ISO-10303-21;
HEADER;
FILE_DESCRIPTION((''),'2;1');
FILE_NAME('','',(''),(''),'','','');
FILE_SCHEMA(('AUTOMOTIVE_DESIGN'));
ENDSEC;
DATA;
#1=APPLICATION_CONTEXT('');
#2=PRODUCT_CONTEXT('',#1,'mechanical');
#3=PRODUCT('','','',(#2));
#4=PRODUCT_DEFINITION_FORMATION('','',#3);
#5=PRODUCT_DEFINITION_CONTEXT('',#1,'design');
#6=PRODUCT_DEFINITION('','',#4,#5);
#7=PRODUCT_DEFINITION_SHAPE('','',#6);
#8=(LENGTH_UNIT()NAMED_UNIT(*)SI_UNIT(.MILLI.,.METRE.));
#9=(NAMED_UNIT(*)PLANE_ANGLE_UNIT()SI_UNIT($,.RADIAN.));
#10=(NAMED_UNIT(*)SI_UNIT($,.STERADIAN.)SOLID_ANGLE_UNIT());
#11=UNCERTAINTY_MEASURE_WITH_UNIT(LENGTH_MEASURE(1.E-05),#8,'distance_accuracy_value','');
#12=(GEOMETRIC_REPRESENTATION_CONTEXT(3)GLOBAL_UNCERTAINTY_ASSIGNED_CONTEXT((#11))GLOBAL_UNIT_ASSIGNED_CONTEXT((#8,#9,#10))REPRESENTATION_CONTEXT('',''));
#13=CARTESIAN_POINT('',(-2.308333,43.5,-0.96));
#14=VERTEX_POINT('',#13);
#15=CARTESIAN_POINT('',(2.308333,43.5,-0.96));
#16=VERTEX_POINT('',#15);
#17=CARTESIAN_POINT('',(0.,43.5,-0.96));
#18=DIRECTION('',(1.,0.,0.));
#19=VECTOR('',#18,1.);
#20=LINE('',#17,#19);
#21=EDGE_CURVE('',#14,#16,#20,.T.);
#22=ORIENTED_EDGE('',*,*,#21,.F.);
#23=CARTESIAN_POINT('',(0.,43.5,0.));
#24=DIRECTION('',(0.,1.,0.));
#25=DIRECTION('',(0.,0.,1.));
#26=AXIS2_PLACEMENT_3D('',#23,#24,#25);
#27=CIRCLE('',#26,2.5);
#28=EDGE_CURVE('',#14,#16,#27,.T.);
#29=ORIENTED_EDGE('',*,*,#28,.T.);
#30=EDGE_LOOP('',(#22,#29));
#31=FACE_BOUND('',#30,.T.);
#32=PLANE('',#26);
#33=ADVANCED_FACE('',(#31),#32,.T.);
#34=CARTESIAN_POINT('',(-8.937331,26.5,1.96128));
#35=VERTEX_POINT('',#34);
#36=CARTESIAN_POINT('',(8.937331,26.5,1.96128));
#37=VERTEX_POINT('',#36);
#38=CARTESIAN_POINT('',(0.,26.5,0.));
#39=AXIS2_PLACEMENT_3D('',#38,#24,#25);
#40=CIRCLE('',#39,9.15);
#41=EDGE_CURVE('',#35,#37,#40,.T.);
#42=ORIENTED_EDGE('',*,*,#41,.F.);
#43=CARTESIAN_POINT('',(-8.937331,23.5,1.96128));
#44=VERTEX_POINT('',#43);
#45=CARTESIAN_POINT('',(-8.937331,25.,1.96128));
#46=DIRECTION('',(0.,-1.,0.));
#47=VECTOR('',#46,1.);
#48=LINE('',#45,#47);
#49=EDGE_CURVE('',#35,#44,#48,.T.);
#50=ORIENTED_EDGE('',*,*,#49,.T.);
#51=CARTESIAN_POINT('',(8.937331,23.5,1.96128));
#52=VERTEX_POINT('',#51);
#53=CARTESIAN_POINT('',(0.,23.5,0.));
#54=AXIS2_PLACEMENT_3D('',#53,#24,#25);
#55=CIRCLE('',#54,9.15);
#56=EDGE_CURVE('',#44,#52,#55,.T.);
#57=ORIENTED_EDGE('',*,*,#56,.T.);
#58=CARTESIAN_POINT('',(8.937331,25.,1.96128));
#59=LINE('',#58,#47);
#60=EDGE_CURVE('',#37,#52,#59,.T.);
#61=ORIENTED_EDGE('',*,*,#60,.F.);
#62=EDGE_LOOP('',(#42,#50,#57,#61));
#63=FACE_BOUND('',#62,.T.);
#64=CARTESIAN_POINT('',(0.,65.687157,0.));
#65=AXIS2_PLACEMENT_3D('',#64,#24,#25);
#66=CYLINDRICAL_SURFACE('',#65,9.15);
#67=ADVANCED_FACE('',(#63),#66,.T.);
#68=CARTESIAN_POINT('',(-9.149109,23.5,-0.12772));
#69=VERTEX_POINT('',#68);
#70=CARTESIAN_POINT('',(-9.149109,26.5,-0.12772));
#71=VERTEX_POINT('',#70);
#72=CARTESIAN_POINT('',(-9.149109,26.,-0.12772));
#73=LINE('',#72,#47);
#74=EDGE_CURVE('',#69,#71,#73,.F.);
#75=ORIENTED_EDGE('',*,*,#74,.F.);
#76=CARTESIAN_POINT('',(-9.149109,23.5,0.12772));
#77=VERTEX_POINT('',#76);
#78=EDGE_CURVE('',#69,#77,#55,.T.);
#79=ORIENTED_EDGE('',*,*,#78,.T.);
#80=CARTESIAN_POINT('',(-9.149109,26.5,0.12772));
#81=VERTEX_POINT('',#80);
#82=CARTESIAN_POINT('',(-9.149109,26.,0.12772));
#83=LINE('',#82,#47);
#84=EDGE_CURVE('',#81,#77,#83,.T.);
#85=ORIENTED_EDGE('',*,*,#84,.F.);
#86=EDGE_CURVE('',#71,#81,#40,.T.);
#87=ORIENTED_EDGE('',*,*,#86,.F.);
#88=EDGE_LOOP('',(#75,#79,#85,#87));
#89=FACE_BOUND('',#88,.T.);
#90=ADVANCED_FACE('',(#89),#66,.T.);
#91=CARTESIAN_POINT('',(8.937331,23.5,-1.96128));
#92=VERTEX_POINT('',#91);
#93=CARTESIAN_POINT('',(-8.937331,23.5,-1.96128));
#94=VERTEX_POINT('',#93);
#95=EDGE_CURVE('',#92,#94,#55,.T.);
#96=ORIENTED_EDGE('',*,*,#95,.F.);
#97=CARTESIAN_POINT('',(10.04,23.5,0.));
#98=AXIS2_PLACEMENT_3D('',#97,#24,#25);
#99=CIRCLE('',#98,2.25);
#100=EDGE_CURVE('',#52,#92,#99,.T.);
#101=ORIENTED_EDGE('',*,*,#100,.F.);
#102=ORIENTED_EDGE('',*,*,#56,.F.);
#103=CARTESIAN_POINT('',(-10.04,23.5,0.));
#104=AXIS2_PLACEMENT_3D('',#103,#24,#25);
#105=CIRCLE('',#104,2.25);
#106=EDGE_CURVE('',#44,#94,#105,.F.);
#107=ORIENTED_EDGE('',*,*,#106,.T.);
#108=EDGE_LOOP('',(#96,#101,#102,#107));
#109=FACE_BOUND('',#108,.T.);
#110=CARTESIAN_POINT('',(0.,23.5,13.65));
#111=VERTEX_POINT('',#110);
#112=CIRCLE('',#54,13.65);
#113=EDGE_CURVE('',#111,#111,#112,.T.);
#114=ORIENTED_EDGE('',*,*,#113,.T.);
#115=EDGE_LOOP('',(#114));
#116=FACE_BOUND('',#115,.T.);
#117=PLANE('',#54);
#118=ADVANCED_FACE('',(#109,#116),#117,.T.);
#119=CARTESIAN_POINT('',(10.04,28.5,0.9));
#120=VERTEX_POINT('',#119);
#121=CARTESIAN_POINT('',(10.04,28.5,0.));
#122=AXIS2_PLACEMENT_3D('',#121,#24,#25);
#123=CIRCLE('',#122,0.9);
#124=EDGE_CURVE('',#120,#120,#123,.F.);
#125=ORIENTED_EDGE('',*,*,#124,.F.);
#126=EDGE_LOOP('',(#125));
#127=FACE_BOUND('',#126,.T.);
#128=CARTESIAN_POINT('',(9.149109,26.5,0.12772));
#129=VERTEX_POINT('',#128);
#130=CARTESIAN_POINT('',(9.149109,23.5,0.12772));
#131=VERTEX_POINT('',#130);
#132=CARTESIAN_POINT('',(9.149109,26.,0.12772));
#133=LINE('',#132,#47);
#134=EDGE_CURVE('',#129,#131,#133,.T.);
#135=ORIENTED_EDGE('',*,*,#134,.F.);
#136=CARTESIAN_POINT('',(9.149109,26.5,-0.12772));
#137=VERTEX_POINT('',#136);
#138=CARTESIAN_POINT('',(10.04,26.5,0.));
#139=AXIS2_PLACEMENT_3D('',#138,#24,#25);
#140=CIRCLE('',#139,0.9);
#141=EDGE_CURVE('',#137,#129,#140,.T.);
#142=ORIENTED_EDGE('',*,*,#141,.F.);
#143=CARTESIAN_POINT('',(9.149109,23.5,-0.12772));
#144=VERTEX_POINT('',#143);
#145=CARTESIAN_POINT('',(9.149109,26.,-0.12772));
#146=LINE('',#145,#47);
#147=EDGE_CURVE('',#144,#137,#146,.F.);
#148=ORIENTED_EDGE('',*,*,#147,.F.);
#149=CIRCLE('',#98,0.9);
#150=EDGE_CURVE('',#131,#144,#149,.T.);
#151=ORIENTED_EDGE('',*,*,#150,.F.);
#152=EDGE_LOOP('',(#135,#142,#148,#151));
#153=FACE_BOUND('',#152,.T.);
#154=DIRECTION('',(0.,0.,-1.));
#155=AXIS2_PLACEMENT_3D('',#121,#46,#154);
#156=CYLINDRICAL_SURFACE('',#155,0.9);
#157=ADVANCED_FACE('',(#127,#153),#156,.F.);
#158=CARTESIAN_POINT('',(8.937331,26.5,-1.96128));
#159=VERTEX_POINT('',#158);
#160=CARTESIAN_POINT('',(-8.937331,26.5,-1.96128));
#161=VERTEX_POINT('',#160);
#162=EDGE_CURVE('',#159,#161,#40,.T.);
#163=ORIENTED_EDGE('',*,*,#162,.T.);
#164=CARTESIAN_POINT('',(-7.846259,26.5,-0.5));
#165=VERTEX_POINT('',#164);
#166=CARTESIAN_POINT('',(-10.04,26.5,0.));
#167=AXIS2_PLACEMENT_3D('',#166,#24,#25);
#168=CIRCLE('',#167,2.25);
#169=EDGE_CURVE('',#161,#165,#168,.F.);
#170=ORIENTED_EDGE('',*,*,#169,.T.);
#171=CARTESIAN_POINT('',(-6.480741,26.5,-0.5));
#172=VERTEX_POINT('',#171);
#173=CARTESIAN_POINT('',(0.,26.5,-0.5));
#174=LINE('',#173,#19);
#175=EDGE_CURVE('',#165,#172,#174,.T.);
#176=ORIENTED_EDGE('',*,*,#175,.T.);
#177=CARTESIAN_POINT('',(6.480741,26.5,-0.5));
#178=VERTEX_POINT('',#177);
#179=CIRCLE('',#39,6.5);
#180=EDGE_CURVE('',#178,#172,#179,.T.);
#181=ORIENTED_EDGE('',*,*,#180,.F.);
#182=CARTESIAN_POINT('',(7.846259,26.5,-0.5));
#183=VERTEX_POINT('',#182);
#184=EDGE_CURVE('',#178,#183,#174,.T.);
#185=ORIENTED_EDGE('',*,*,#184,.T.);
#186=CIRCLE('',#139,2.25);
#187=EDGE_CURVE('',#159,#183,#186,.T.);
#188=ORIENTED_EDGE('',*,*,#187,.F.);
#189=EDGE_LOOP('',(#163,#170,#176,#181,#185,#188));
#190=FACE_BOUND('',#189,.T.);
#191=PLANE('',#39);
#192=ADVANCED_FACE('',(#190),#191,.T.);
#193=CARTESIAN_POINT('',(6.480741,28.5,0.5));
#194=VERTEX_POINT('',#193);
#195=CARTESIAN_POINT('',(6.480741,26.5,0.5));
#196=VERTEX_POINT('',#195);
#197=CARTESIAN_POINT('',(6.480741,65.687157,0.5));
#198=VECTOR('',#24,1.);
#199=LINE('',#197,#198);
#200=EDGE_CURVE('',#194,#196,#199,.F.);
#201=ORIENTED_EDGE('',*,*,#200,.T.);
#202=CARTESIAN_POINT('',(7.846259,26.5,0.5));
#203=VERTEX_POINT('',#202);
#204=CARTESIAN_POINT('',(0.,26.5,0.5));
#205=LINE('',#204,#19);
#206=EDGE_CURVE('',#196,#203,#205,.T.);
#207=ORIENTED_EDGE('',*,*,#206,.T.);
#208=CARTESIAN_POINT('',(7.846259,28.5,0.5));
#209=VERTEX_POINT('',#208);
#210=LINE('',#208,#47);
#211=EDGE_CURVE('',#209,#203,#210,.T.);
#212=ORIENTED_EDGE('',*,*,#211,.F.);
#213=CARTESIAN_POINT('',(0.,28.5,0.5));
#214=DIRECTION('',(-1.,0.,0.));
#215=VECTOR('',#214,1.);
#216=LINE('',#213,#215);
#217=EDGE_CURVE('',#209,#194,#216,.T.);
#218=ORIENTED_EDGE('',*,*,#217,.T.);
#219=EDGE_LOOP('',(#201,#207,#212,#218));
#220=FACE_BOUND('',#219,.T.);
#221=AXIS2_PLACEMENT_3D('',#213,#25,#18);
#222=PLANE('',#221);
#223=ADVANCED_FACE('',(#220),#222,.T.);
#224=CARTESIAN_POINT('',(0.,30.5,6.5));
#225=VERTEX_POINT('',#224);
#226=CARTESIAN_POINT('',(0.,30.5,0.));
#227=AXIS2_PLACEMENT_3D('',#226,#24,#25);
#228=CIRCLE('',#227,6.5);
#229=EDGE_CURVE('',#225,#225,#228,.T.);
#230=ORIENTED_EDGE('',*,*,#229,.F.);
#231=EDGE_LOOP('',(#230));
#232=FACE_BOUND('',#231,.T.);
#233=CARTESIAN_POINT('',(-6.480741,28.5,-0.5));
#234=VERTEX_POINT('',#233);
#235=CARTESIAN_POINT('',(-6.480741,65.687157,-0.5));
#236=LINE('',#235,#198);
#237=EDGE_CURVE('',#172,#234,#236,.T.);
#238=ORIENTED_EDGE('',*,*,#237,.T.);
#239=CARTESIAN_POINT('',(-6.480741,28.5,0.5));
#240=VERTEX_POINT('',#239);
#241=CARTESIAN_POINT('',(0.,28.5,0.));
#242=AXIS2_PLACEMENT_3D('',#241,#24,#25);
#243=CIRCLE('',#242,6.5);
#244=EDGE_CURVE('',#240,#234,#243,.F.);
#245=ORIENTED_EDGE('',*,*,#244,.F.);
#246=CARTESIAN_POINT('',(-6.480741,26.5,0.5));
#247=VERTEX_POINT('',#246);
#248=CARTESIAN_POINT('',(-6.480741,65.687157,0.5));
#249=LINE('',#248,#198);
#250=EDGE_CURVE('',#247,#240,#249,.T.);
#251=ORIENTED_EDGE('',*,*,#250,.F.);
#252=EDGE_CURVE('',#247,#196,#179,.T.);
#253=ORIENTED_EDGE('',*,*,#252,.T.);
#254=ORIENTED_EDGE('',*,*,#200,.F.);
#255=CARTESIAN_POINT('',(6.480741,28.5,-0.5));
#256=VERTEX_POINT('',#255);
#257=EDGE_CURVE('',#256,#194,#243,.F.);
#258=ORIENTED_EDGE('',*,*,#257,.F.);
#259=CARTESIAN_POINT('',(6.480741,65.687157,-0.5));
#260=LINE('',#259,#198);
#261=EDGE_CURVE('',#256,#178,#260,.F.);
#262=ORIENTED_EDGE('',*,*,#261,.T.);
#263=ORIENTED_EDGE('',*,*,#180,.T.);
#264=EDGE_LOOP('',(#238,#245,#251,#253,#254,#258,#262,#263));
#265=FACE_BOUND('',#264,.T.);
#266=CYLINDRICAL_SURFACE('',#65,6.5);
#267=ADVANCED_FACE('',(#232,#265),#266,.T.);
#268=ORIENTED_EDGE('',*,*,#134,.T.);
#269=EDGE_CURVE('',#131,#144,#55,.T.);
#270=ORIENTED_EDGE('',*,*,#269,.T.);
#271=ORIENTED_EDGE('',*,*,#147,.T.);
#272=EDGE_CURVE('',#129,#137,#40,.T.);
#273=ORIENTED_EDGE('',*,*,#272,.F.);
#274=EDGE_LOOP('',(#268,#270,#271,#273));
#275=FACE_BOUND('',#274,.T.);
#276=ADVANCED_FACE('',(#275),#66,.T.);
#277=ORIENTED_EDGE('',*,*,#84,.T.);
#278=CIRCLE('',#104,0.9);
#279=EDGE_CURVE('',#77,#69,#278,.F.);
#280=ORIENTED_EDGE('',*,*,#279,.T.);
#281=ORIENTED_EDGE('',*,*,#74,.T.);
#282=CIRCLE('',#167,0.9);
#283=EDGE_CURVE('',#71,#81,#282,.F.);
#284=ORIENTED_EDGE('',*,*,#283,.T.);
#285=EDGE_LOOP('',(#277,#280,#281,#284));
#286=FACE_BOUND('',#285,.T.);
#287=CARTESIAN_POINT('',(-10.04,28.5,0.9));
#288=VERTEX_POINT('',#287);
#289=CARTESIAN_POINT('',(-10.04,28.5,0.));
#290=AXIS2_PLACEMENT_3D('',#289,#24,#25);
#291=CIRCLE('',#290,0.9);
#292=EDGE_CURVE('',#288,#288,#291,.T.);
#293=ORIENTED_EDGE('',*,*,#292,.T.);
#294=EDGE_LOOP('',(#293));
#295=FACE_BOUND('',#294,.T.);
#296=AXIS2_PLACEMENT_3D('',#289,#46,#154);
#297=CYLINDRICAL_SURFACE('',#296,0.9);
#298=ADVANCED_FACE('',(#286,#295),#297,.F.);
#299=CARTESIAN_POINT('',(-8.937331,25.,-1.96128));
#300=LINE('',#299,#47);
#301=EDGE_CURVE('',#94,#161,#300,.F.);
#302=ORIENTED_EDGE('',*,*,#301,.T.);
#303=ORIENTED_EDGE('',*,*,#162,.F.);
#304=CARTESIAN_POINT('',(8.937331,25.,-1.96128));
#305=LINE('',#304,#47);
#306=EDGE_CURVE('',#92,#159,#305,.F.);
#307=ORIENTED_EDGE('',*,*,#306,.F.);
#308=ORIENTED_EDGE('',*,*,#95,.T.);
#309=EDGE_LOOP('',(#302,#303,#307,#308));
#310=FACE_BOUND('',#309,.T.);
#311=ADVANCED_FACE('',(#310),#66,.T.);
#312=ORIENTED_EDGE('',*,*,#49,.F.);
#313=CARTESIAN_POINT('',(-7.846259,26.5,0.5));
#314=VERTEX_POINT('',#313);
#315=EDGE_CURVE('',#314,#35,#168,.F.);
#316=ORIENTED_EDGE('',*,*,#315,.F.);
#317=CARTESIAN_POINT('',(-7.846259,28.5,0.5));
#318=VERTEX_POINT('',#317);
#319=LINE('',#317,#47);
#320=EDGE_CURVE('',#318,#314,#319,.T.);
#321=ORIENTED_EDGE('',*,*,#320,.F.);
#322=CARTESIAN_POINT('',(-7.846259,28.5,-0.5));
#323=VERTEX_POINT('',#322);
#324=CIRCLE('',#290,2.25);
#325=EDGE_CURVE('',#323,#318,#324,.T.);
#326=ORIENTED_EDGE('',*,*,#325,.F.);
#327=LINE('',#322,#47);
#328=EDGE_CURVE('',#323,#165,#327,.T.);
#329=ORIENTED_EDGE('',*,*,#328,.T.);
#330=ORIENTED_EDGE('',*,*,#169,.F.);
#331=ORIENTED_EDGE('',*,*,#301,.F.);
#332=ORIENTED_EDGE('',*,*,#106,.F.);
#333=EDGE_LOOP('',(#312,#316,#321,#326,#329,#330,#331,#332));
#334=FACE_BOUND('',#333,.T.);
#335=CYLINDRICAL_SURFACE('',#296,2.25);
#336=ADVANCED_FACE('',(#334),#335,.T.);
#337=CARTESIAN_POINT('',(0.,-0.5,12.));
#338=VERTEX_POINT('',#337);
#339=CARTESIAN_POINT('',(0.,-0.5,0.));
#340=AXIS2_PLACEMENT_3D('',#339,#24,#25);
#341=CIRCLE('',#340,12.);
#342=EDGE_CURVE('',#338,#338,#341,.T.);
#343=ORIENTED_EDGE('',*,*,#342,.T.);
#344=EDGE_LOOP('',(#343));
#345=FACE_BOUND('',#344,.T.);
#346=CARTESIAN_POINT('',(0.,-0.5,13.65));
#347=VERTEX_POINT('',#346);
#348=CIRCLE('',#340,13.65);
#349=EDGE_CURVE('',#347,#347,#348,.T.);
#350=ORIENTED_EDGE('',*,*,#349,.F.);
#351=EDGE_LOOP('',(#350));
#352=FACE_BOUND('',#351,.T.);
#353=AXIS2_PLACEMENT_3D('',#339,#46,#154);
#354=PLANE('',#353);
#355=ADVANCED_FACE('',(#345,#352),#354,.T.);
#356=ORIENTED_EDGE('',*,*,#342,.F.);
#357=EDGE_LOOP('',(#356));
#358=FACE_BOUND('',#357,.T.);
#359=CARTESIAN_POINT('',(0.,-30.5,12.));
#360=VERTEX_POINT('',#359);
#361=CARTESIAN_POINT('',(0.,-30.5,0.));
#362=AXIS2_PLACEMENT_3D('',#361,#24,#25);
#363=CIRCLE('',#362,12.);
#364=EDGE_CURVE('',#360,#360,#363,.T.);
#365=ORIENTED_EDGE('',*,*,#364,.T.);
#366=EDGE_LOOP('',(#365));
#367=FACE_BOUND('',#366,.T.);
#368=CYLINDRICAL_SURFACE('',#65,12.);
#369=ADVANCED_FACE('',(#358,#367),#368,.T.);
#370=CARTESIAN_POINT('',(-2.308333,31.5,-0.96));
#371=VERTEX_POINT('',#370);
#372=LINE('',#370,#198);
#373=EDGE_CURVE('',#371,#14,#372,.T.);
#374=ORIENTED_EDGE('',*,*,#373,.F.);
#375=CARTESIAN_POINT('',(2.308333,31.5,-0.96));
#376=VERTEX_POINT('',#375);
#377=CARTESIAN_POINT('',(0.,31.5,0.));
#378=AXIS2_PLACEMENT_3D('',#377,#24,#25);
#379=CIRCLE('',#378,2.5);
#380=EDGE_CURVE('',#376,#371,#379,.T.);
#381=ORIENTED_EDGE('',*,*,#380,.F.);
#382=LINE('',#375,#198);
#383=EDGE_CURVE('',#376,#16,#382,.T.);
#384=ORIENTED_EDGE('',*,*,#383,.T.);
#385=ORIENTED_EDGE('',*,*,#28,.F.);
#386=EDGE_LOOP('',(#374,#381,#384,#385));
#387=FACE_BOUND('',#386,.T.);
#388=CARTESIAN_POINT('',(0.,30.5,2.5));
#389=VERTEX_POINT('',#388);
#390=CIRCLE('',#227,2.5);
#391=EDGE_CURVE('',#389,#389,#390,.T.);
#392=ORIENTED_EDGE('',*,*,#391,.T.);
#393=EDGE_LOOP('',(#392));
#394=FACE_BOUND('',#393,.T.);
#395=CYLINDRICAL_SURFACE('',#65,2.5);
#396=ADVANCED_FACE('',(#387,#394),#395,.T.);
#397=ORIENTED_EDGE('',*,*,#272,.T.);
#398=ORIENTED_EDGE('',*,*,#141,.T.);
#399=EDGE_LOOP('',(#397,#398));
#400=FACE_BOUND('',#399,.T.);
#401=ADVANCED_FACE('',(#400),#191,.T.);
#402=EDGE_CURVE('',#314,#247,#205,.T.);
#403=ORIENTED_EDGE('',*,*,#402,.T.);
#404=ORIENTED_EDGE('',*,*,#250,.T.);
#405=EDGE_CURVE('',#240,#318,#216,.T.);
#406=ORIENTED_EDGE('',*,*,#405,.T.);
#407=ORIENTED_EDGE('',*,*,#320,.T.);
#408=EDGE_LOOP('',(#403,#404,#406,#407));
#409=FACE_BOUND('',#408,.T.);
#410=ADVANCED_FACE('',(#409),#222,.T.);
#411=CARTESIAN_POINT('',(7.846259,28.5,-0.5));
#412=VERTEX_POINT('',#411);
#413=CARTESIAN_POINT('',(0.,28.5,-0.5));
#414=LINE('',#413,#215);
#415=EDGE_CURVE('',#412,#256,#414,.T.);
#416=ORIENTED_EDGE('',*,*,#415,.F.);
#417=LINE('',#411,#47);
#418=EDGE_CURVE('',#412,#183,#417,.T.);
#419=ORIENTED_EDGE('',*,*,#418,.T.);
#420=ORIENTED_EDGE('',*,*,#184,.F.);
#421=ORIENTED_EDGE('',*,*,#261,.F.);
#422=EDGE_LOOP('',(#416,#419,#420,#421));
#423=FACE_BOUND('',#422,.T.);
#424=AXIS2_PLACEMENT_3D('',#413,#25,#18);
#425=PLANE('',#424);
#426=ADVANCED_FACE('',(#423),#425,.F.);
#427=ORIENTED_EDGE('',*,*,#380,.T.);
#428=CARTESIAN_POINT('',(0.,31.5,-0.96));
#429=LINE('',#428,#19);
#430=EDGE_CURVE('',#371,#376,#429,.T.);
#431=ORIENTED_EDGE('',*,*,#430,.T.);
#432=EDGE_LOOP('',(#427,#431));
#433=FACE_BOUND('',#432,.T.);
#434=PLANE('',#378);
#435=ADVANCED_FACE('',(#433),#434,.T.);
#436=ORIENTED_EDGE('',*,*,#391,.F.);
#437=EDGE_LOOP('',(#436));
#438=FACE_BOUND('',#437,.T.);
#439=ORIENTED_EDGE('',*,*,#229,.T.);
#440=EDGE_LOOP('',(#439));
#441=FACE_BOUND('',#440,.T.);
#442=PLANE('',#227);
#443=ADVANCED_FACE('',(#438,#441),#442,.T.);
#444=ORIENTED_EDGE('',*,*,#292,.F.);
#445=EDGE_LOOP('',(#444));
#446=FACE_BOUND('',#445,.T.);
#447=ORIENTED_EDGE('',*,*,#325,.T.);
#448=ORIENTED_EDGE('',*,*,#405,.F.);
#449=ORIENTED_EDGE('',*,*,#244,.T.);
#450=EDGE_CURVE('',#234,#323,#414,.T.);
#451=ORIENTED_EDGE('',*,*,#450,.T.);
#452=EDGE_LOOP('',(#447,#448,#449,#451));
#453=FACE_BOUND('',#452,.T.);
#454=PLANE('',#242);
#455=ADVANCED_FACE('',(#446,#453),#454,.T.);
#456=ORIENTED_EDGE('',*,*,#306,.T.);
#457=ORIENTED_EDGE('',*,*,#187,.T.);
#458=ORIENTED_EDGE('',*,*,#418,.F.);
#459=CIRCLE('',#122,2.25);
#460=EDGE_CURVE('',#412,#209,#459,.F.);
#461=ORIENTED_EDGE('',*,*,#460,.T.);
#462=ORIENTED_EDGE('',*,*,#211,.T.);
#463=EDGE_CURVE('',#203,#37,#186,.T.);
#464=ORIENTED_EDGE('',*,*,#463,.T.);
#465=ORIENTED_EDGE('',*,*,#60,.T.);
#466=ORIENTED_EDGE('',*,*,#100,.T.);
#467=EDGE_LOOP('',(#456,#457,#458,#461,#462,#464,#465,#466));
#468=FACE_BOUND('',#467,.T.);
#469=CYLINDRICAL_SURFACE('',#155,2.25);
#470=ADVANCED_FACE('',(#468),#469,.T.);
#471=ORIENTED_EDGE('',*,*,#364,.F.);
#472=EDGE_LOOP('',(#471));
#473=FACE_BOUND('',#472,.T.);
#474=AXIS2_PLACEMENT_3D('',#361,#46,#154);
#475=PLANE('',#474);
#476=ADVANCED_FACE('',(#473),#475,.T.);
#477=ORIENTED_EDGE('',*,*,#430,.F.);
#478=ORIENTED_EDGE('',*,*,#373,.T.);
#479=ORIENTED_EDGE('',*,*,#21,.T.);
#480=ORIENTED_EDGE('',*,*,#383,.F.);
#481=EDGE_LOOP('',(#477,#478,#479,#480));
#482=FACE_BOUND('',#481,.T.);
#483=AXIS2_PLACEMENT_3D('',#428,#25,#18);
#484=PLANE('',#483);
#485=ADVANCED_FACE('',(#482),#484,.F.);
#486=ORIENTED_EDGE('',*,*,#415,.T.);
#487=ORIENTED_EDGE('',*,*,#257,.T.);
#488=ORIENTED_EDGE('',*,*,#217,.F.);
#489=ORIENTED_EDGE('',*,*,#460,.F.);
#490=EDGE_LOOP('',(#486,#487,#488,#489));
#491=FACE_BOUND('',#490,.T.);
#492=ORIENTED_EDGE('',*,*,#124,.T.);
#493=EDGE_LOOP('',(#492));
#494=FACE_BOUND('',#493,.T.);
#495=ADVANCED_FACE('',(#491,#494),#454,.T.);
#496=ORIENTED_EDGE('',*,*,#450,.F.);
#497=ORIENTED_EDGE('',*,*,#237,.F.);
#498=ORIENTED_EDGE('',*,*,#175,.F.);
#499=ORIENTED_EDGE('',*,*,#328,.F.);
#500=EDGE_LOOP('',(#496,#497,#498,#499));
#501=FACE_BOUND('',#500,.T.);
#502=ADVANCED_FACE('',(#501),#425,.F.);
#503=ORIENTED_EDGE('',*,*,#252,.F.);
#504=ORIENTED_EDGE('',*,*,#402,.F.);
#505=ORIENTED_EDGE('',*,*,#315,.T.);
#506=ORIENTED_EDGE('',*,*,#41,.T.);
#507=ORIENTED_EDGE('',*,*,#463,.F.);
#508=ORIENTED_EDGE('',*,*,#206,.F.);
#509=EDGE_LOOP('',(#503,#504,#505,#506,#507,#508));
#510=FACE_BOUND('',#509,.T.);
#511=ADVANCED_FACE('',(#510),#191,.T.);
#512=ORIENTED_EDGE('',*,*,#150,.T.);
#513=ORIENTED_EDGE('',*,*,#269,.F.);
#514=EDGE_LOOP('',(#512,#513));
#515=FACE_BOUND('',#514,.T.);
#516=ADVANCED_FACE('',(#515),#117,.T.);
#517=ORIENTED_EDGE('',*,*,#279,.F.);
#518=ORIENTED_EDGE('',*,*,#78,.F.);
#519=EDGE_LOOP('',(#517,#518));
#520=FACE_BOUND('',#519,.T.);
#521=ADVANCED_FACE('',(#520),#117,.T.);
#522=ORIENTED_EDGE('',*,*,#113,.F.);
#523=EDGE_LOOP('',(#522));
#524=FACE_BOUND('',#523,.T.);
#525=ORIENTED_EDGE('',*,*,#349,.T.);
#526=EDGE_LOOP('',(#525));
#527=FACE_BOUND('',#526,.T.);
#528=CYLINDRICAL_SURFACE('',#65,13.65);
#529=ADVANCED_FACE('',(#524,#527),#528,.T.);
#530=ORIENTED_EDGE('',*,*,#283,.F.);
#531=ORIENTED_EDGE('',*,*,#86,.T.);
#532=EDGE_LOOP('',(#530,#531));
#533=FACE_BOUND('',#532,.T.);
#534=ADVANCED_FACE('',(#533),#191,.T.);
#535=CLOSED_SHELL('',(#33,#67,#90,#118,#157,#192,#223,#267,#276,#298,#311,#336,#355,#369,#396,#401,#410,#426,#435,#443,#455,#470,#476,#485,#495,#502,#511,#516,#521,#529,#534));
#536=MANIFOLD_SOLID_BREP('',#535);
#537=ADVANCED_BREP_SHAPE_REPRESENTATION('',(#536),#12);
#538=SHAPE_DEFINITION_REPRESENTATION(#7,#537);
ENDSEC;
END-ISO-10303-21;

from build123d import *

# Parameters (mm, degrees)
CROQUIS1_W              = 2.5
CROQUIS1_H              = 13
CORTAR_EXTRUIR1_DEPTH   = 12
CROQUIS4_R              = 2.25
CROQUIS4_R_2            = 0.9
CROQUIS4_W              = 18
CROQUIS4_H              = 1
SALIENTE_EXTRUIR1_DEPTH = 5


with BuildPart() as part:
    # Croquis1 → Revolución1 (revolve)
    with BuildSketch(Plane.XY):
        with Locations((-1.25, 37)):
            Rectangle(CROQUIS1_W, CROQUIS1_H)
        Polygon((-12, -30.5), (0, -30.5), (0, 30.5), (-6.5, 30.5), (-6.5, 26.5), (-9.15, 26.5), (-9.15, 23.5), (-13.65, 23.5), (-13.65, -0.5), (-12, -0.5), align=None)
    revolve(axis=Axis((0, 65.687156563, 0), (0, -1, 0)))

    # Croquis2 → Cortar-Extruir1 (cut)
    with BuildSketch(Plane(origin=(0, 43.5, 0), x_dir=(1, 0, 0), z_dir=(0, 1, 0))):
        Polygon((-55.580517034, 0.96), (-2.308332732, 0.96), (2.308332732, 0.96), (55.580517034, 0.96), (55.580517034, 107.504368605), (-55.580517034, 107.504368605), align=None)
    extrude(amount=-CORTAR_EXTRUIR1_DEPTH, mode=Mode.SUBTRACT)

    # Croquis4 → Saliente-Extruir1 (add)
    with BuildSketch(Plane(origin=(0, 23.5, 0), x_dir=(1, 0, 0), z_dir=(0, 1, 0))):
        with Locations((-10.04, 0)):
            Circle(CROQUIS4_R)
        with Locations((-10.04, 0)):
            Circle(CROQUIS4_R_2, mode=Mode.SUBTRACT)
        with Locations((10.04, 0)):
            Circle(CROQUIS4_R)
        with Locations((10.04, 0)):
            Circle(CROQUIS4_R_2, mode=Mode.SUBTRACT)
        Rectangle(CROQUIS4_W, CROQUIS4_H)
    extrude(amount=SALIENTE_EXTRUIR1_DEPTH)


solid = part.part
